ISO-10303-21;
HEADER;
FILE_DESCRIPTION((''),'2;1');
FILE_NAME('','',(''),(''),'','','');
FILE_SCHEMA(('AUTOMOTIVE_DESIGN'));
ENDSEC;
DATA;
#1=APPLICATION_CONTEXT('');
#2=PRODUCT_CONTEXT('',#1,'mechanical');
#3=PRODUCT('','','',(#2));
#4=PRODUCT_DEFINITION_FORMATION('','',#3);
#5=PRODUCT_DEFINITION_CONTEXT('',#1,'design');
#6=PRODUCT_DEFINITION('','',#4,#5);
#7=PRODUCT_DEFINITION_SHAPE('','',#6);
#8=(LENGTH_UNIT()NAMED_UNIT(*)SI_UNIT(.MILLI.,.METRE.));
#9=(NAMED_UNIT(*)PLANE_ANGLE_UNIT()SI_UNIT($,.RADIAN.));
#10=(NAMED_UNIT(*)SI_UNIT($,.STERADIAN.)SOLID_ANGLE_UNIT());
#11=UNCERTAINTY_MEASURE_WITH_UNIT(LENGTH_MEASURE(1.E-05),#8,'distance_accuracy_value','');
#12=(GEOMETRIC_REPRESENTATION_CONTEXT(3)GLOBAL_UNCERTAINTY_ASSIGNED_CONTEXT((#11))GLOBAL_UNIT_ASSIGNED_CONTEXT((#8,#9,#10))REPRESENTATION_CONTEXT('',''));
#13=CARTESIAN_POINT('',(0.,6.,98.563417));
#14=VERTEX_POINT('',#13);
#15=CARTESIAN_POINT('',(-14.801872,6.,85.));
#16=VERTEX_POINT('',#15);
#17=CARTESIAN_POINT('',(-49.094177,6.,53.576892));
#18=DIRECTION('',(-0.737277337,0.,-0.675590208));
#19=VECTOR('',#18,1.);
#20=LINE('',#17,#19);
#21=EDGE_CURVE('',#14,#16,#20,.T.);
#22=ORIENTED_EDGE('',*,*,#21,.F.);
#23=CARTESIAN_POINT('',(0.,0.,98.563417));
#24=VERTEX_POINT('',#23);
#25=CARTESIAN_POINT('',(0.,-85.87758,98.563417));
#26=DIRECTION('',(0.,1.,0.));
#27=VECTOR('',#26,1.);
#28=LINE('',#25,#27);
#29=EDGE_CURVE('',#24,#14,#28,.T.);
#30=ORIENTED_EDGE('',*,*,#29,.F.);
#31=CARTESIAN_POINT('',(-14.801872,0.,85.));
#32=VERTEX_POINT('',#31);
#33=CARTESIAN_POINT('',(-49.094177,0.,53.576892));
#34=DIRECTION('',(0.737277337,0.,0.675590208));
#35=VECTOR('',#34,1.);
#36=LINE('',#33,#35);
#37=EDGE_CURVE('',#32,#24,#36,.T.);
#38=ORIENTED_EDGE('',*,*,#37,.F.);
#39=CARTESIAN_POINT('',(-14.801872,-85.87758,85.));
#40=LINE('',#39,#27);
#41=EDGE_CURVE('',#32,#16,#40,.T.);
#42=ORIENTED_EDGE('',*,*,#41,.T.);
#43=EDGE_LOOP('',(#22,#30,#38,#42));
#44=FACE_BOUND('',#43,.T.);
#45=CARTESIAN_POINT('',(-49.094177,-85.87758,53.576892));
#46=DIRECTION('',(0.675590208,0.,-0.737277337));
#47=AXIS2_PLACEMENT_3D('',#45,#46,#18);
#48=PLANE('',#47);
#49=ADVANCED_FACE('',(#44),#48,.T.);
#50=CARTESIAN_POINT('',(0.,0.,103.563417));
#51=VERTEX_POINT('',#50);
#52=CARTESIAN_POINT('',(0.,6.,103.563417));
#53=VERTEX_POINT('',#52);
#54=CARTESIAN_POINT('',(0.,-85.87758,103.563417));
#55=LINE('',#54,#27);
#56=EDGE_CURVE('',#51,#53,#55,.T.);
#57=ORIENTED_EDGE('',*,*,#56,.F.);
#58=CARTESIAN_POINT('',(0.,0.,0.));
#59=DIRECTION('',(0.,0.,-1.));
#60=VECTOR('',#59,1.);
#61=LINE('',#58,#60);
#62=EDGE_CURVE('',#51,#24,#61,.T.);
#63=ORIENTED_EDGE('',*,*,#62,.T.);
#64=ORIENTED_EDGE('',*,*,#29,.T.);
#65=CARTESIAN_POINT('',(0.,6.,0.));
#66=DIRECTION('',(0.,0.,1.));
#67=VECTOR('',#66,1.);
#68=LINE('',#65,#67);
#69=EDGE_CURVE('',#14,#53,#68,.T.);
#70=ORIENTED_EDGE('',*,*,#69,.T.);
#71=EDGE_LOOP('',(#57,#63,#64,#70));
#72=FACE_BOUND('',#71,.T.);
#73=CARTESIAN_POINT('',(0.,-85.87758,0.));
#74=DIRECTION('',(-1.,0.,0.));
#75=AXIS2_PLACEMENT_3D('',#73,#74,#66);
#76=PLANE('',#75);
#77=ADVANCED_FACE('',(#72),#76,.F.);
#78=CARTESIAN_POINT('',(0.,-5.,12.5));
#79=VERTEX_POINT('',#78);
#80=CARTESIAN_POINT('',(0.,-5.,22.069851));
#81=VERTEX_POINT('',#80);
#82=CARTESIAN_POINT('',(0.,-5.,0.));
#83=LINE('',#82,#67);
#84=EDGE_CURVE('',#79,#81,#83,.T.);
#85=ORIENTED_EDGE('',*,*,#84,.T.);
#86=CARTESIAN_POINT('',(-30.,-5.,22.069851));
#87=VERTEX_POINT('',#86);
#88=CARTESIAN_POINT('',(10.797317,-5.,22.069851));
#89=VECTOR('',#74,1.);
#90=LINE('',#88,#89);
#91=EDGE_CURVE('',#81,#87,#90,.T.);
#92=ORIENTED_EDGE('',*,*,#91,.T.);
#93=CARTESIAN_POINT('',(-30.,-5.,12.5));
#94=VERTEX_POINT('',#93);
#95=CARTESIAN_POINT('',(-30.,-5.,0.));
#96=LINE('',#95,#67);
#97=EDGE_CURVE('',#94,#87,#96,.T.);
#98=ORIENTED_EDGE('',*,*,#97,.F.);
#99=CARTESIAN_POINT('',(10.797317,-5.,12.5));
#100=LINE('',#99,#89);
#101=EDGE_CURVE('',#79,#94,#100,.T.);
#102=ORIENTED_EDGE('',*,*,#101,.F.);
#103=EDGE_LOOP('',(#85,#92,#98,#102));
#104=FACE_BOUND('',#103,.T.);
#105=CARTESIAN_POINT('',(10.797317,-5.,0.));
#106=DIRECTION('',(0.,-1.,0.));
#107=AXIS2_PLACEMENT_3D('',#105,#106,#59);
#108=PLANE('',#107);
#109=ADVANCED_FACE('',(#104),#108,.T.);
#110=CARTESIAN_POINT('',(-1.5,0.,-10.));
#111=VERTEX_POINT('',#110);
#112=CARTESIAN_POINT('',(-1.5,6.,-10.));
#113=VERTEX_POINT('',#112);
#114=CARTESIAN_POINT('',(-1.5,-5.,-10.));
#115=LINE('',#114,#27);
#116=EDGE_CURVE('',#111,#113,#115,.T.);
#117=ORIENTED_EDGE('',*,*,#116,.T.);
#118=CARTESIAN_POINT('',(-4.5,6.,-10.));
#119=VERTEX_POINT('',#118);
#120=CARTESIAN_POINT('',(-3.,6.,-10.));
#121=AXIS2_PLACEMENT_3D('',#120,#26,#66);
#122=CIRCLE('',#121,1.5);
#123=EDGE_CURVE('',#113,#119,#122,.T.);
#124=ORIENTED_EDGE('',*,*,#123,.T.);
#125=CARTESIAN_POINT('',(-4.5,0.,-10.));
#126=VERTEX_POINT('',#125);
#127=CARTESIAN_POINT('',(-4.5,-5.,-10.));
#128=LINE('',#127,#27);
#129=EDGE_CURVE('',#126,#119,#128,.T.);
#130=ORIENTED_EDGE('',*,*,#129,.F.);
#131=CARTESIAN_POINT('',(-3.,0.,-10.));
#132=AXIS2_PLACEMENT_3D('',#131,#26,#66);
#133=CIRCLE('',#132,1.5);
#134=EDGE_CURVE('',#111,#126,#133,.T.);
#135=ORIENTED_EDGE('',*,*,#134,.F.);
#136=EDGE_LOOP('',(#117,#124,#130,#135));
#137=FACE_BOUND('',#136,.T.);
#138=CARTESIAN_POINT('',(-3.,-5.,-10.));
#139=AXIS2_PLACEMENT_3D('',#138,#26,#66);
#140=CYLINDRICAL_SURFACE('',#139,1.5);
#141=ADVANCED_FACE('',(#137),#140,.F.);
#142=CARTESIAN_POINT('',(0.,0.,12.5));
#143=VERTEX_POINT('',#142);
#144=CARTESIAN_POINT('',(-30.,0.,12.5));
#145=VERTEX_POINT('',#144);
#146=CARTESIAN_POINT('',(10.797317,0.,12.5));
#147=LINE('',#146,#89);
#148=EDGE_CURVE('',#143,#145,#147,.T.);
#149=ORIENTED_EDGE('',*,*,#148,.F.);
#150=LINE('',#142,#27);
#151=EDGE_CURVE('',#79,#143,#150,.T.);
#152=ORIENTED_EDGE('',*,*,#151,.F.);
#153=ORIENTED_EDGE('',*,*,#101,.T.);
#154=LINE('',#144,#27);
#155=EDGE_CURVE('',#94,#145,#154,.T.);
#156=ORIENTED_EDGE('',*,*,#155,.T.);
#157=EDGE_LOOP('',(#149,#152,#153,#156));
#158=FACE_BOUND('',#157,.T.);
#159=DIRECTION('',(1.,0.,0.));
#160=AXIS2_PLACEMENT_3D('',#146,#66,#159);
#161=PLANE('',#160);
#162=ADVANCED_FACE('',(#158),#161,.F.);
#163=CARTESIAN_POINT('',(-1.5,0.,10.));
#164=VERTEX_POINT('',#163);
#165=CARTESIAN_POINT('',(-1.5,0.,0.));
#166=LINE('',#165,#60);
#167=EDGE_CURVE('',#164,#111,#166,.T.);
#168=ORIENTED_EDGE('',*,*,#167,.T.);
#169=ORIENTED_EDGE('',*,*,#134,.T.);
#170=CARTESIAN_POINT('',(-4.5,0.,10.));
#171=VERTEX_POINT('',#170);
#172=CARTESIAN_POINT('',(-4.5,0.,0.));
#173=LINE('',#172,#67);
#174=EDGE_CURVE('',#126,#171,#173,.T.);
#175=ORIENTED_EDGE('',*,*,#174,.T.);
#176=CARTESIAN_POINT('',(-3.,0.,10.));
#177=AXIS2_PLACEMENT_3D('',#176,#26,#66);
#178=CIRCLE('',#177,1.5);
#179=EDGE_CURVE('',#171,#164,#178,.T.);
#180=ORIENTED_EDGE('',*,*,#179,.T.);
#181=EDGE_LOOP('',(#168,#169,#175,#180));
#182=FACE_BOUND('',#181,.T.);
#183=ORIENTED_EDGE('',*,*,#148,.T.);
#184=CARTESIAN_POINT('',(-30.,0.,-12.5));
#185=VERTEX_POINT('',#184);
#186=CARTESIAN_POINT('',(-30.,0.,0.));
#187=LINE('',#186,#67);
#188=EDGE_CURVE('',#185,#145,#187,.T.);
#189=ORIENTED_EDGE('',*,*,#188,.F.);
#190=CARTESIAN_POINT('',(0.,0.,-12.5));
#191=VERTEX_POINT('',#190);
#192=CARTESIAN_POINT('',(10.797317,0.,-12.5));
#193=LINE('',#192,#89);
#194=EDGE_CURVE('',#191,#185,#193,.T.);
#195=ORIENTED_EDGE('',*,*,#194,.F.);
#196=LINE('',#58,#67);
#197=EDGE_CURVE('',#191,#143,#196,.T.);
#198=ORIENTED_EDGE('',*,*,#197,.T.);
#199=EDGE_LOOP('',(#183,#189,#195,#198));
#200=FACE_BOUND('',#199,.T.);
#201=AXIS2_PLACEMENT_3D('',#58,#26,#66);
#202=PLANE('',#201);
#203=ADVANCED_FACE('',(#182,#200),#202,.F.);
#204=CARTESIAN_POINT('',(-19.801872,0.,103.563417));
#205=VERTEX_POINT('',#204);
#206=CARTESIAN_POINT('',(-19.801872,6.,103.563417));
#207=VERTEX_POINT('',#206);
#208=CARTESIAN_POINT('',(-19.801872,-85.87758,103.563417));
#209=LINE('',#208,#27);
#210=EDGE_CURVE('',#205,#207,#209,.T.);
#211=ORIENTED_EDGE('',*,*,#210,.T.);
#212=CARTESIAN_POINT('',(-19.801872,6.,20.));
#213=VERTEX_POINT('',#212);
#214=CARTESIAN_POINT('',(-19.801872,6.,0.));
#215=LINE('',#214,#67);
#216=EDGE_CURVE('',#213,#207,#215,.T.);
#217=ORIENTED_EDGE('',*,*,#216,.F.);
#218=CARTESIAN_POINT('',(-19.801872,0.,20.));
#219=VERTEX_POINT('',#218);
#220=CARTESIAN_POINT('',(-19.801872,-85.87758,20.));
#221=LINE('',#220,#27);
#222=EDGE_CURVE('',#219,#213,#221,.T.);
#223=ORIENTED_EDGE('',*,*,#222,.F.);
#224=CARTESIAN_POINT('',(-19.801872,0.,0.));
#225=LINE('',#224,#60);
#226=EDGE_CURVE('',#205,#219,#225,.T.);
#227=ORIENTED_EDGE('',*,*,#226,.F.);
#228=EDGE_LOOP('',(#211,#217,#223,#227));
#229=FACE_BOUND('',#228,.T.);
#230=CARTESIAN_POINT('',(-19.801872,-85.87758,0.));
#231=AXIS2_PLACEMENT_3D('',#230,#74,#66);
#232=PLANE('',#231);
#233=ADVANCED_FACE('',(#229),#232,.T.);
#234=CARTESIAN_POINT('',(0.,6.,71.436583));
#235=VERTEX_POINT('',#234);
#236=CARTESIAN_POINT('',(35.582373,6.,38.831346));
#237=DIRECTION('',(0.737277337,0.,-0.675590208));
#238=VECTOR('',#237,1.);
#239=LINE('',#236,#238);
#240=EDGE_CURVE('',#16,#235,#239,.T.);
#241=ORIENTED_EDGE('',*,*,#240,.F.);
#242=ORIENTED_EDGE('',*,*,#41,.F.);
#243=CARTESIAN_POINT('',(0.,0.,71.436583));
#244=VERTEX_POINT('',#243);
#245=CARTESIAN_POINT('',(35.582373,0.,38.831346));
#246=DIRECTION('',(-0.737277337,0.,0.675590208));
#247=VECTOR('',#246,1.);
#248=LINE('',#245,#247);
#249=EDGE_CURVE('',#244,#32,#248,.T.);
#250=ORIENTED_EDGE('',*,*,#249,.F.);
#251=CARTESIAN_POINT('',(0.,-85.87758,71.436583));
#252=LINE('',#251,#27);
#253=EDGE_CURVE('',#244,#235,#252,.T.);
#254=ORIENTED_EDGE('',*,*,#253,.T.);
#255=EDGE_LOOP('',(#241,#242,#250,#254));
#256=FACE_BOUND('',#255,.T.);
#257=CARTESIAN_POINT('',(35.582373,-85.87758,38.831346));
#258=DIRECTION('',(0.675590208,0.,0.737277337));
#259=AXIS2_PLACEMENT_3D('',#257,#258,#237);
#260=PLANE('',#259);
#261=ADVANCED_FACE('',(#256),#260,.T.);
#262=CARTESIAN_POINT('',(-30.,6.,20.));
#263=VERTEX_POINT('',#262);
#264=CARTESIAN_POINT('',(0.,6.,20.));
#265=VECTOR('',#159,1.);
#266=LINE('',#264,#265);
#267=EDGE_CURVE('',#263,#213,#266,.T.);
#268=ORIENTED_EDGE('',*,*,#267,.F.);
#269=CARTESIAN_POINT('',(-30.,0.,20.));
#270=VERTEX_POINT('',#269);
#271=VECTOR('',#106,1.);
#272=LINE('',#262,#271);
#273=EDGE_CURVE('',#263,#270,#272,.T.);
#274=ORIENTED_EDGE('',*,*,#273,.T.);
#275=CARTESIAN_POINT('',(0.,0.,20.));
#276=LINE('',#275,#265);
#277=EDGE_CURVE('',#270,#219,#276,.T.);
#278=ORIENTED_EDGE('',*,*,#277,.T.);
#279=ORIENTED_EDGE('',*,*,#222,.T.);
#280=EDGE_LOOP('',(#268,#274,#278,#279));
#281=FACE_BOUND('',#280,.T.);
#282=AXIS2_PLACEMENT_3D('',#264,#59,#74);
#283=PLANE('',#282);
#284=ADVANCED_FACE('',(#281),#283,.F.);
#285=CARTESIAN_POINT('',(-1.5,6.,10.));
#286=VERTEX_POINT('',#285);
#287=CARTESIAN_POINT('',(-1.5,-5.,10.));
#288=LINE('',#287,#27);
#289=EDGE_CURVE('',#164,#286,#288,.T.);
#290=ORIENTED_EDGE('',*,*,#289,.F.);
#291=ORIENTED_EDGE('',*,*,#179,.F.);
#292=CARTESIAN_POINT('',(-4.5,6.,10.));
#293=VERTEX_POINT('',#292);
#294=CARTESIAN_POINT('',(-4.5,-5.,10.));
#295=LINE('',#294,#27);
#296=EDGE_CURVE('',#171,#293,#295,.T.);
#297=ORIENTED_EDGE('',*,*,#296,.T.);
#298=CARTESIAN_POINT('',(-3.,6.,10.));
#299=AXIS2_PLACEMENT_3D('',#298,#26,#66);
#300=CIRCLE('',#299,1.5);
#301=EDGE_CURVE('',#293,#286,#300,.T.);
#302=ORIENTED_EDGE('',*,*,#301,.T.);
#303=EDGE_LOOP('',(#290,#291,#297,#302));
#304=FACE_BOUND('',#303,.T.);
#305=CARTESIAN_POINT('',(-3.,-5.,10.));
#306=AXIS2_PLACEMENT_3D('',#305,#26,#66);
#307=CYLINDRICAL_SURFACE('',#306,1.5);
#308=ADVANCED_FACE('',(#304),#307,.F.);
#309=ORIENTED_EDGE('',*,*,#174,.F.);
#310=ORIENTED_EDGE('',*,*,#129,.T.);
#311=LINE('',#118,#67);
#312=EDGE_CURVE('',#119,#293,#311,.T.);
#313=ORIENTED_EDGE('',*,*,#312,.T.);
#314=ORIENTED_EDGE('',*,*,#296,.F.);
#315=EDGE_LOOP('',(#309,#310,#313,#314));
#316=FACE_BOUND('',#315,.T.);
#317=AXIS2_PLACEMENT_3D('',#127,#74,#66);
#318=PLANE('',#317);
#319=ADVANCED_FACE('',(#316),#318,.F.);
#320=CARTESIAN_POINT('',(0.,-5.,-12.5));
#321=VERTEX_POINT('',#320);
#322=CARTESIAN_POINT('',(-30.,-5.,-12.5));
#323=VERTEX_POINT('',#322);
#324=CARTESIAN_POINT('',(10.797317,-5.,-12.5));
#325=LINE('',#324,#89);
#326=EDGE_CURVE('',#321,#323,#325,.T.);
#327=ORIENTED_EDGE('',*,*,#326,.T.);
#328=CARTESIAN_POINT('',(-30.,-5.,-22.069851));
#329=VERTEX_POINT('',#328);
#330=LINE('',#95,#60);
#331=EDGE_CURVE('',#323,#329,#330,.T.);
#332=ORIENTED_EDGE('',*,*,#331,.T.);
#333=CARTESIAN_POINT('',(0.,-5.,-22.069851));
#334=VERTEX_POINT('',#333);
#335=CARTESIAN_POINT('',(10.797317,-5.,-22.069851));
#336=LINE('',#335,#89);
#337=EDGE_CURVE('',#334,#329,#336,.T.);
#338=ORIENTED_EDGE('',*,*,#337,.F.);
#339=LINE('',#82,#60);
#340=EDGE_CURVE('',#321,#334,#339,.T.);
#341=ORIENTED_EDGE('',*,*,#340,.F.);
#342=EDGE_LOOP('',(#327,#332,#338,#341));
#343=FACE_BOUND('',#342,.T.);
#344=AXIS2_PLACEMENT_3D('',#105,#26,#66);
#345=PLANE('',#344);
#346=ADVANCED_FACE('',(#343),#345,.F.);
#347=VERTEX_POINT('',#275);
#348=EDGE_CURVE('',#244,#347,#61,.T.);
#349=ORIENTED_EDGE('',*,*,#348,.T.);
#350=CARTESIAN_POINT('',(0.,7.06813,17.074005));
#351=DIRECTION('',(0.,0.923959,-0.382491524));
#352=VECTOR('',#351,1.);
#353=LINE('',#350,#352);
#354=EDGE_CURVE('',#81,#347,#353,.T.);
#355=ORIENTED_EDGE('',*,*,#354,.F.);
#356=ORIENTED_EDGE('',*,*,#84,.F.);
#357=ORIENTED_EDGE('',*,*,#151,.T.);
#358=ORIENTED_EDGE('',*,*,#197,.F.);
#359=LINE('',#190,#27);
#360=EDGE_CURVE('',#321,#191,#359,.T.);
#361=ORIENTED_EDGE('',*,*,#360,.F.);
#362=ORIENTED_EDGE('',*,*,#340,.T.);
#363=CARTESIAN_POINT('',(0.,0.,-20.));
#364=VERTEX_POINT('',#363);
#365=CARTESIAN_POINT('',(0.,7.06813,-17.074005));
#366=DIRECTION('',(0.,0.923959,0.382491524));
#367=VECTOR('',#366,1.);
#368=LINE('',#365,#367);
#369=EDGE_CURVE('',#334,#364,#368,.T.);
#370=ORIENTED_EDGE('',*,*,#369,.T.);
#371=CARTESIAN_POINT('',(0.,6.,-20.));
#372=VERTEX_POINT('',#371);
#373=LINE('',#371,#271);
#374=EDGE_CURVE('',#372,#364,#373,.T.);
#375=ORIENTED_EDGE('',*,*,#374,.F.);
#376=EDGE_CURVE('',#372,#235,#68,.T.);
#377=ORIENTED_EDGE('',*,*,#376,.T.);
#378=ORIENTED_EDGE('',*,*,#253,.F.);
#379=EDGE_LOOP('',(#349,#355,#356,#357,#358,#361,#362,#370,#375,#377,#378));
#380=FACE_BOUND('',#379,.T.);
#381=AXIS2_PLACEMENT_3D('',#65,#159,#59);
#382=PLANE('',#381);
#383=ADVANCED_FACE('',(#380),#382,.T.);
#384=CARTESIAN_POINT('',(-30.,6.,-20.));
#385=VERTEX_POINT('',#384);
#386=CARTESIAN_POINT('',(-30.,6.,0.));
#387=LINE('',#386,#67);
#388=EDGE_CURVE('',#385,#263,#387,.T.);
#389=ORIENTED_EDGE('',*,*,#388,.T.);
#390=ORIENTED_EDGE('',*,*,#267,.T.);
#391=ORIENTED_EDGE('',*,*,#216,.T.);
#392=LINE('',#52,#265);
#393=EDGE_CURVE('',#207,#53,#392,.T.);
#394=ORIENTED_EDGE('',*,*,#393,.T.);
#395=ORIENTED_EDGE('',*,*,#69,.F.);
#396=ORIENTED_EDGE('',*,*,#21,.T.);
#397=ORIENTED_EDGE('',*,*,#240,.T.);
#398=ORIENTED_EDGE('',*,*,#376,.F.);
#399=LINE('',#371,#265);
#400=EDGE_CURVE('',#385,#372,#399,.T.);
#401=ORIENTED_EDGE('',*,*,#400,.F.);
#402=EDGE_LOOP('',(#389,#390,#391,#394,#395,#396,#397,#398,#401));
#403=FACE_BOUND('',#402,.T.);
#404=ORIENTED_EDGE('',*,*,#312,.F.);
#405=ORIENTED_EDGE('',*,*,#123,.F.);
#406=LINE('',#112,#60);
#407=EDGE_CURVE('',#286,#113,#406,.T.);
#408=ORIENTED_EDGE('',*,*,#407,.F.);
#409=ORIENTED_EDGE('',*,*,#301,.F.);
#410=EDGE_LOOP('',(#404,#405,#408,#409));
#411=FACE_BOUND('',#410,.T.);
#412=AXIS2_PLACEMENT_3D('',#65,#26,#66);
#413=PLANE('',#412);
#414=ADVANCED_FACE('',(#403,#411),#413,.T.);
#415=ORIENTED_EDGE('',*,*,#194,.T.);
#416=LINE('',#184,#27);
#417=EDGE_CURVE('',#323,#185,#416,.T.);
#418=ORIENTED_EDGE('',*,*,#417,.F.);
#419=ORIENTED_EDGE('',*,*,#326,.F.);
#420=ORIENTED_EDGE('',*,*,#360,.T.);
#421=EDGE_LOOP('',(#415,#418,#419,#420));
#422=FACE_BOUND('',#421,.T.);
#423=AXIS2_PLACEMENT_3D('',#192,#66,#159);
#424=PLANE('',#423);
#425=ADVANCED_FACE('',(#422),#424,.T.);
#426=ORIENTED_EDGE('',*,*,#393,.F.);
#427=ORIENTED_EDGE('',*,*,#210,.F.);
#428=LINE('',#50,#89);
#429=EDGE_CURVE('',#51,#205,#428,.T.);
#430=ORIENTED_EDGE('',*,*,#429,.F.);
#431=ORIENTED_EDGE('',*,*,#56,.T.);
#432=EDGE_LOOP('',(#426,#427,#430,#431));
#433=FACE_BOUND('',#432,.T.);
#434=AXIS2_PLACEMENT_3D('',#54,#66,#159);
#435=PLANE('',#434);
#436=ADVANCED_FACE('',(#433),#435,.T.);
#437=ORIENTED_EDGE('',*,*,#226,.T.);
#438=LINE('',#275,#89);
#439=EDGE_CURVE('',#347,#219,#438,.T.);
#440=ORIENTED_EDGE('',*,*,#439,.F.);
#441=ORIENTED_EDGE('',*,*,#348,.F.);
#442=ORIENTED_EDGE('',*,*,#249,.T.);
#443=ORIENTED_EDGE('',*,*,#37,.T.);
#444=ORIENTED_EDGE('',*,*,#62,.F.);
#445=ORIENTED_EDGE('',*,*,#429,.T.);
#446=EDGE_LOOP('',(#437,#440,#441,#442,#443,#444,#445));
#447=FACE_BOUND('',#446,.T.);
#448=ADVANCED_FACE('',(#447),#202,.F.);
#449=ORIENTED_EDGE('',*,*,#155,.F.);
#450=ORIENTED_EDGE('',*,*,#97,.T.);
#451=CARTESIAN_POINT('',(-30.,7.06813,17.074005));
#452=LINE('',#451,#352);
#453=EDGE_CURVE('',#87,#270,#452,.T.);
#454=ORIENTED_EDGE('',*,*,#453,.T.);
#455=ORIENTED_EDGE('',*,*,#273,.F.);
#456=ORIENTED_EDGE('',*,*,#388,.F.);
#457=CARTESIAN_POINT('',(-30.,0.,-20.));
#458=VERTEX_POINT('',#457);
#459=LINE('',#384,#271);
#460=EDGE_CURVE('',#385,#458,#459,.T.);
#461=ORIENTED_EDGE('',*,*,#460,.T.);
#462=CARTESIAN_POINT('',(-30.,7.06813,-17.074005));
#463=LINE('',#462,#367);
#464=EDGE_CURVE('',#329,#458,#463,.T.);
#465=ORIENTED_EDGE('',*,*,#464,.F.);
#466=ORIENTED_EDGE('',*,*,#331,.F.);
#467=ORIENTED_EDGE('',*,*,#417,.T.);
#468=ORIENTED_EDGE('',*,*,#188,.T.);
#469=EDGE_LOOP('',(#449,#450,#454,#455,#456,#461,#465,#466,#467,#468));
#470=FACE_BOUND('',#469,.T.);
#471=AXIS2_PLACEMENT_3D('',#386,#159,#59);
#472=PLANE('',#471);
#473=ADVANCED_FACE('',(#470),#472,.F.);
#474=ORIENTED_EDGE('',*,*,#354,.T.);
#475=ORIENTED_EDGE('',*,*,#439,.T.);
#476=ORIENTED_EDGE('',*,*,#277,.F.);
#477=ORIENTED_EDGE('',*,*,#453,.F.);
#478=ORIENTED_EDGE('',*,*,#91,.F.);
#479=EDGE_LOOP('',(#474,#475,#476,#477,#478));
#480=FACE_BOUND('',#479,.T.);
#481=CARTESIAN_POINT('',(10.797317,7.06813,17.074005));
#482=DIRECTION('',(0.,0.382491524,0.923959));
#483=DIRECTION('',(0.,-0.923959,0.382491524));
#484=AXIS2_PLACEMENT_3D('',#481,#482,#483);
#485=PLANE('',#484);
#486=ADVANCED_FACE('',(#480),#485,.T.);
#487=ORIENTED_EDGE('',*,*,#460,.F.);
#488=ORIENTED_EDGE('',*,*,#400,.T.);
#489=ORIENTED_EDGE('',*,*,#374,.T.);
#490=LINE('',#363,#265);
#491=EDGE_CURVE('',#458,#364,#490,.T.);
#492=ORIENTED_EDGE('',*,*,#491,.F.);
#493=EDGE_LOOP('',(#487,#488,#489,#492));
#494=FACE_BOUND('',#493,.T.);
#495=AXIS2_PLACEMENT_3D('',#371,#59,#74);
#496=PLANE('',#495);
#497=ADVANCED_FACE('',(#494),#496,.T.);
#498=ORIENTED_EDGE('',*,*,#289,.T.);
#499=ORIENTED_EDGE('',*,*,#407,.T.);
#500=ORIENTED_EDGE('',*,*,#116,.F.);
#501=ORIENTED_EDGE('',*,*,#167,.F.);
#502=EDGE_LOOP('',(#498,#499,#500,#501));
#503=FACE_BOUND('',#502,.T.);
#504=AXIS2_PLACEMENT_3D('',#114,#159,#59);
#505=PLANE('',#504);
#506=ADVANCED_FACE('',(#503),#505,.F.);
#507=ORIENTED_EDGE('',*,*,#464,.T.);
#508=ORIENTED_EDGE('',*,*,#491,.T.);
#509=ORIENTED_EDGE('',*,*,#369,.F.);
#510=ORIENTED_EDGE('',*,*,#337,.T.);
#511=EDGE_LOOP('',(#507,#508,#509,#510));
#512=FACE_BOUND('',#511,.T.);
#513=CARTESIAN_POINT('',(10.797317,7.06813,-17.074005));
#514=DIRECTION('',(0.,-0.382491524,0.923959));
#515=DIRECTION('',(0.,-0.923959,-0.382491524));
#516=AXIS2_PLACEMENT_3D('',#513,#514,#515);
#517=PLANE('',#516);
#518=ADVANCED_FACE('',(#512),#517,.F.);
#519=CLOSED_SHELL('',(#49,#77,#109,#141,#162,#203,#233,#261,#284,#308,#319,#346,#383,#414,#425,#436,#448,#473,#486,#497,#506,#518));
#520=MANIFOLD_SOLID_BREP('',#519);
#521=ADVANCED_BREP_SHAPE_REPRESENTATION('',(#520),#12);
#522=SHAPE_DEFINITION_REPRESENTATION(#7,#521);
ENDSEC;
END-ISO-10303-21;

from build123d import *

# Parameters (mm, degrees)
BOSS_EXTRUDE1_DEPTH        = 6
DOVE_BOSS_DEPTH            = 30
BOSS_EXTRUDE7_DEPTH        = 30
PIN_SLOT_REACH             = 39.724
PIN_SLOT_DIRECTION_2_DEPTH = 38.723710458
BOSS_EXTRUDE8_DEPTH        = 6


with BuildPart() as part:
    # Sketch1 → Boss-Extrude1 (new body)
    with BuildSketch(Plane(origin=(0, 0, 0), x_dir=(1, 0, 0), z_dir=(0, 1, 0))):
        Polygon((-30, 20), (-30, -20), (0, -20), (0, -8.167550091), (-6.853388269, 0), (0, 8.167550091), (0, 20), align=None)
        Polygon((-6.853388269, 0), (0, -8.167550091), (0, 8.167550091), align=None)
    extrude(amount=BOSS_EXTRUDE1_DEPTH)

    # Sketch7 → Dove Boss (add)
    with BuildSketch(Plane(origin=(-30, 0, 0), x_dir=(0, 0, -1), z_dir=(1, 0, 0))):
        Polygon((-12.5, 0), (-20, 0), (-22.069851171, -5), (-12.5, -5), align=None)
    extrude(amount=DOVE_BOSS_DEPTH)

    # Sketch7<3> → Boss-Extrude7 (add)
    with BuildSketch(Plane(origin=(-30, 0, 0), x_dir=(0, 0, -1), z_dir=(1, 0, 0))):
        Polygon((20, 0), (12.5, 0), (12.5, -5), (22.069851171, -5), align=None)
    extrude(amount=BOSS_EXTRUDE7_DEPTH)

    # Sketch4 → Pin Slot (cut, up to next)
    with BuildSketch(Plane(origin=(0, 0, 0), x_dir=(1, 0, 0), z_dir=(0, 1, 0)), mode=Mode.PRIVATE) as pin_slot_sk1:
        with BuildLine():
            Line((-1.5, 10), (-1.5, -10))
            ThreePointArc((-1.5, -10), (-3, -11.5), (-4.5, -10))
            Line((-4.5, -10), (-4.5, 10))
            ThreePointArc((-4.5, 10), (-3, 11.5), (-1.5, 10))
        make_face()
    pin_slot_tool1 = extrude(pin_slot_sk1.sketch, amount=PIN_SLOT_REACH, mode=Mode.PRIVATE) & part.part
    add(pin_slot_tool1.solids().sort_by_distance((-3, 0, 0))[0], mode=Mode.SUBTRACT)

    # Sketch4 → Pin Slot direction 2 (cut)
    with BuildSketch(Plane(origin=(0, 0, 0), x_dir=(1, 0, 0), z_dir=(0, 1, 0))):
        with BuildLine():
            Line((-1.5, 10), (-1.5, -10))
            ThreePointArc((-1.5, -10), (-3, -11.5), (-4.5, -10))
            Line((-4.5, -10), (-4.5, 10))
            ThreePointArc((-4.5, 10), (-3, 11.5), (-1.5, 10))
        make_face()
    extrude(amount=-PIN_SLOT_DIRECTION_2_DEPTH, mode=Mode.SUBTRACT)

    # Sketch8 → Boss-Extrude8 (add)
    with BuildSketch(Plane(origin=(0, 6, 0), x_dir=(1, 0, 0), z_dir=(0, 1, 0))):
        Polygon((0, -103.563417049), (0, -98.563417049), (-14.801872329, -85), (0, -71.436582951), (0, -20), (-19.801872329, -20), (-19.801872329, -103.563417049), align=None)
    extrude(amount=-BOSS_EXTRUDE8_DEPTH)


solid = part.part
